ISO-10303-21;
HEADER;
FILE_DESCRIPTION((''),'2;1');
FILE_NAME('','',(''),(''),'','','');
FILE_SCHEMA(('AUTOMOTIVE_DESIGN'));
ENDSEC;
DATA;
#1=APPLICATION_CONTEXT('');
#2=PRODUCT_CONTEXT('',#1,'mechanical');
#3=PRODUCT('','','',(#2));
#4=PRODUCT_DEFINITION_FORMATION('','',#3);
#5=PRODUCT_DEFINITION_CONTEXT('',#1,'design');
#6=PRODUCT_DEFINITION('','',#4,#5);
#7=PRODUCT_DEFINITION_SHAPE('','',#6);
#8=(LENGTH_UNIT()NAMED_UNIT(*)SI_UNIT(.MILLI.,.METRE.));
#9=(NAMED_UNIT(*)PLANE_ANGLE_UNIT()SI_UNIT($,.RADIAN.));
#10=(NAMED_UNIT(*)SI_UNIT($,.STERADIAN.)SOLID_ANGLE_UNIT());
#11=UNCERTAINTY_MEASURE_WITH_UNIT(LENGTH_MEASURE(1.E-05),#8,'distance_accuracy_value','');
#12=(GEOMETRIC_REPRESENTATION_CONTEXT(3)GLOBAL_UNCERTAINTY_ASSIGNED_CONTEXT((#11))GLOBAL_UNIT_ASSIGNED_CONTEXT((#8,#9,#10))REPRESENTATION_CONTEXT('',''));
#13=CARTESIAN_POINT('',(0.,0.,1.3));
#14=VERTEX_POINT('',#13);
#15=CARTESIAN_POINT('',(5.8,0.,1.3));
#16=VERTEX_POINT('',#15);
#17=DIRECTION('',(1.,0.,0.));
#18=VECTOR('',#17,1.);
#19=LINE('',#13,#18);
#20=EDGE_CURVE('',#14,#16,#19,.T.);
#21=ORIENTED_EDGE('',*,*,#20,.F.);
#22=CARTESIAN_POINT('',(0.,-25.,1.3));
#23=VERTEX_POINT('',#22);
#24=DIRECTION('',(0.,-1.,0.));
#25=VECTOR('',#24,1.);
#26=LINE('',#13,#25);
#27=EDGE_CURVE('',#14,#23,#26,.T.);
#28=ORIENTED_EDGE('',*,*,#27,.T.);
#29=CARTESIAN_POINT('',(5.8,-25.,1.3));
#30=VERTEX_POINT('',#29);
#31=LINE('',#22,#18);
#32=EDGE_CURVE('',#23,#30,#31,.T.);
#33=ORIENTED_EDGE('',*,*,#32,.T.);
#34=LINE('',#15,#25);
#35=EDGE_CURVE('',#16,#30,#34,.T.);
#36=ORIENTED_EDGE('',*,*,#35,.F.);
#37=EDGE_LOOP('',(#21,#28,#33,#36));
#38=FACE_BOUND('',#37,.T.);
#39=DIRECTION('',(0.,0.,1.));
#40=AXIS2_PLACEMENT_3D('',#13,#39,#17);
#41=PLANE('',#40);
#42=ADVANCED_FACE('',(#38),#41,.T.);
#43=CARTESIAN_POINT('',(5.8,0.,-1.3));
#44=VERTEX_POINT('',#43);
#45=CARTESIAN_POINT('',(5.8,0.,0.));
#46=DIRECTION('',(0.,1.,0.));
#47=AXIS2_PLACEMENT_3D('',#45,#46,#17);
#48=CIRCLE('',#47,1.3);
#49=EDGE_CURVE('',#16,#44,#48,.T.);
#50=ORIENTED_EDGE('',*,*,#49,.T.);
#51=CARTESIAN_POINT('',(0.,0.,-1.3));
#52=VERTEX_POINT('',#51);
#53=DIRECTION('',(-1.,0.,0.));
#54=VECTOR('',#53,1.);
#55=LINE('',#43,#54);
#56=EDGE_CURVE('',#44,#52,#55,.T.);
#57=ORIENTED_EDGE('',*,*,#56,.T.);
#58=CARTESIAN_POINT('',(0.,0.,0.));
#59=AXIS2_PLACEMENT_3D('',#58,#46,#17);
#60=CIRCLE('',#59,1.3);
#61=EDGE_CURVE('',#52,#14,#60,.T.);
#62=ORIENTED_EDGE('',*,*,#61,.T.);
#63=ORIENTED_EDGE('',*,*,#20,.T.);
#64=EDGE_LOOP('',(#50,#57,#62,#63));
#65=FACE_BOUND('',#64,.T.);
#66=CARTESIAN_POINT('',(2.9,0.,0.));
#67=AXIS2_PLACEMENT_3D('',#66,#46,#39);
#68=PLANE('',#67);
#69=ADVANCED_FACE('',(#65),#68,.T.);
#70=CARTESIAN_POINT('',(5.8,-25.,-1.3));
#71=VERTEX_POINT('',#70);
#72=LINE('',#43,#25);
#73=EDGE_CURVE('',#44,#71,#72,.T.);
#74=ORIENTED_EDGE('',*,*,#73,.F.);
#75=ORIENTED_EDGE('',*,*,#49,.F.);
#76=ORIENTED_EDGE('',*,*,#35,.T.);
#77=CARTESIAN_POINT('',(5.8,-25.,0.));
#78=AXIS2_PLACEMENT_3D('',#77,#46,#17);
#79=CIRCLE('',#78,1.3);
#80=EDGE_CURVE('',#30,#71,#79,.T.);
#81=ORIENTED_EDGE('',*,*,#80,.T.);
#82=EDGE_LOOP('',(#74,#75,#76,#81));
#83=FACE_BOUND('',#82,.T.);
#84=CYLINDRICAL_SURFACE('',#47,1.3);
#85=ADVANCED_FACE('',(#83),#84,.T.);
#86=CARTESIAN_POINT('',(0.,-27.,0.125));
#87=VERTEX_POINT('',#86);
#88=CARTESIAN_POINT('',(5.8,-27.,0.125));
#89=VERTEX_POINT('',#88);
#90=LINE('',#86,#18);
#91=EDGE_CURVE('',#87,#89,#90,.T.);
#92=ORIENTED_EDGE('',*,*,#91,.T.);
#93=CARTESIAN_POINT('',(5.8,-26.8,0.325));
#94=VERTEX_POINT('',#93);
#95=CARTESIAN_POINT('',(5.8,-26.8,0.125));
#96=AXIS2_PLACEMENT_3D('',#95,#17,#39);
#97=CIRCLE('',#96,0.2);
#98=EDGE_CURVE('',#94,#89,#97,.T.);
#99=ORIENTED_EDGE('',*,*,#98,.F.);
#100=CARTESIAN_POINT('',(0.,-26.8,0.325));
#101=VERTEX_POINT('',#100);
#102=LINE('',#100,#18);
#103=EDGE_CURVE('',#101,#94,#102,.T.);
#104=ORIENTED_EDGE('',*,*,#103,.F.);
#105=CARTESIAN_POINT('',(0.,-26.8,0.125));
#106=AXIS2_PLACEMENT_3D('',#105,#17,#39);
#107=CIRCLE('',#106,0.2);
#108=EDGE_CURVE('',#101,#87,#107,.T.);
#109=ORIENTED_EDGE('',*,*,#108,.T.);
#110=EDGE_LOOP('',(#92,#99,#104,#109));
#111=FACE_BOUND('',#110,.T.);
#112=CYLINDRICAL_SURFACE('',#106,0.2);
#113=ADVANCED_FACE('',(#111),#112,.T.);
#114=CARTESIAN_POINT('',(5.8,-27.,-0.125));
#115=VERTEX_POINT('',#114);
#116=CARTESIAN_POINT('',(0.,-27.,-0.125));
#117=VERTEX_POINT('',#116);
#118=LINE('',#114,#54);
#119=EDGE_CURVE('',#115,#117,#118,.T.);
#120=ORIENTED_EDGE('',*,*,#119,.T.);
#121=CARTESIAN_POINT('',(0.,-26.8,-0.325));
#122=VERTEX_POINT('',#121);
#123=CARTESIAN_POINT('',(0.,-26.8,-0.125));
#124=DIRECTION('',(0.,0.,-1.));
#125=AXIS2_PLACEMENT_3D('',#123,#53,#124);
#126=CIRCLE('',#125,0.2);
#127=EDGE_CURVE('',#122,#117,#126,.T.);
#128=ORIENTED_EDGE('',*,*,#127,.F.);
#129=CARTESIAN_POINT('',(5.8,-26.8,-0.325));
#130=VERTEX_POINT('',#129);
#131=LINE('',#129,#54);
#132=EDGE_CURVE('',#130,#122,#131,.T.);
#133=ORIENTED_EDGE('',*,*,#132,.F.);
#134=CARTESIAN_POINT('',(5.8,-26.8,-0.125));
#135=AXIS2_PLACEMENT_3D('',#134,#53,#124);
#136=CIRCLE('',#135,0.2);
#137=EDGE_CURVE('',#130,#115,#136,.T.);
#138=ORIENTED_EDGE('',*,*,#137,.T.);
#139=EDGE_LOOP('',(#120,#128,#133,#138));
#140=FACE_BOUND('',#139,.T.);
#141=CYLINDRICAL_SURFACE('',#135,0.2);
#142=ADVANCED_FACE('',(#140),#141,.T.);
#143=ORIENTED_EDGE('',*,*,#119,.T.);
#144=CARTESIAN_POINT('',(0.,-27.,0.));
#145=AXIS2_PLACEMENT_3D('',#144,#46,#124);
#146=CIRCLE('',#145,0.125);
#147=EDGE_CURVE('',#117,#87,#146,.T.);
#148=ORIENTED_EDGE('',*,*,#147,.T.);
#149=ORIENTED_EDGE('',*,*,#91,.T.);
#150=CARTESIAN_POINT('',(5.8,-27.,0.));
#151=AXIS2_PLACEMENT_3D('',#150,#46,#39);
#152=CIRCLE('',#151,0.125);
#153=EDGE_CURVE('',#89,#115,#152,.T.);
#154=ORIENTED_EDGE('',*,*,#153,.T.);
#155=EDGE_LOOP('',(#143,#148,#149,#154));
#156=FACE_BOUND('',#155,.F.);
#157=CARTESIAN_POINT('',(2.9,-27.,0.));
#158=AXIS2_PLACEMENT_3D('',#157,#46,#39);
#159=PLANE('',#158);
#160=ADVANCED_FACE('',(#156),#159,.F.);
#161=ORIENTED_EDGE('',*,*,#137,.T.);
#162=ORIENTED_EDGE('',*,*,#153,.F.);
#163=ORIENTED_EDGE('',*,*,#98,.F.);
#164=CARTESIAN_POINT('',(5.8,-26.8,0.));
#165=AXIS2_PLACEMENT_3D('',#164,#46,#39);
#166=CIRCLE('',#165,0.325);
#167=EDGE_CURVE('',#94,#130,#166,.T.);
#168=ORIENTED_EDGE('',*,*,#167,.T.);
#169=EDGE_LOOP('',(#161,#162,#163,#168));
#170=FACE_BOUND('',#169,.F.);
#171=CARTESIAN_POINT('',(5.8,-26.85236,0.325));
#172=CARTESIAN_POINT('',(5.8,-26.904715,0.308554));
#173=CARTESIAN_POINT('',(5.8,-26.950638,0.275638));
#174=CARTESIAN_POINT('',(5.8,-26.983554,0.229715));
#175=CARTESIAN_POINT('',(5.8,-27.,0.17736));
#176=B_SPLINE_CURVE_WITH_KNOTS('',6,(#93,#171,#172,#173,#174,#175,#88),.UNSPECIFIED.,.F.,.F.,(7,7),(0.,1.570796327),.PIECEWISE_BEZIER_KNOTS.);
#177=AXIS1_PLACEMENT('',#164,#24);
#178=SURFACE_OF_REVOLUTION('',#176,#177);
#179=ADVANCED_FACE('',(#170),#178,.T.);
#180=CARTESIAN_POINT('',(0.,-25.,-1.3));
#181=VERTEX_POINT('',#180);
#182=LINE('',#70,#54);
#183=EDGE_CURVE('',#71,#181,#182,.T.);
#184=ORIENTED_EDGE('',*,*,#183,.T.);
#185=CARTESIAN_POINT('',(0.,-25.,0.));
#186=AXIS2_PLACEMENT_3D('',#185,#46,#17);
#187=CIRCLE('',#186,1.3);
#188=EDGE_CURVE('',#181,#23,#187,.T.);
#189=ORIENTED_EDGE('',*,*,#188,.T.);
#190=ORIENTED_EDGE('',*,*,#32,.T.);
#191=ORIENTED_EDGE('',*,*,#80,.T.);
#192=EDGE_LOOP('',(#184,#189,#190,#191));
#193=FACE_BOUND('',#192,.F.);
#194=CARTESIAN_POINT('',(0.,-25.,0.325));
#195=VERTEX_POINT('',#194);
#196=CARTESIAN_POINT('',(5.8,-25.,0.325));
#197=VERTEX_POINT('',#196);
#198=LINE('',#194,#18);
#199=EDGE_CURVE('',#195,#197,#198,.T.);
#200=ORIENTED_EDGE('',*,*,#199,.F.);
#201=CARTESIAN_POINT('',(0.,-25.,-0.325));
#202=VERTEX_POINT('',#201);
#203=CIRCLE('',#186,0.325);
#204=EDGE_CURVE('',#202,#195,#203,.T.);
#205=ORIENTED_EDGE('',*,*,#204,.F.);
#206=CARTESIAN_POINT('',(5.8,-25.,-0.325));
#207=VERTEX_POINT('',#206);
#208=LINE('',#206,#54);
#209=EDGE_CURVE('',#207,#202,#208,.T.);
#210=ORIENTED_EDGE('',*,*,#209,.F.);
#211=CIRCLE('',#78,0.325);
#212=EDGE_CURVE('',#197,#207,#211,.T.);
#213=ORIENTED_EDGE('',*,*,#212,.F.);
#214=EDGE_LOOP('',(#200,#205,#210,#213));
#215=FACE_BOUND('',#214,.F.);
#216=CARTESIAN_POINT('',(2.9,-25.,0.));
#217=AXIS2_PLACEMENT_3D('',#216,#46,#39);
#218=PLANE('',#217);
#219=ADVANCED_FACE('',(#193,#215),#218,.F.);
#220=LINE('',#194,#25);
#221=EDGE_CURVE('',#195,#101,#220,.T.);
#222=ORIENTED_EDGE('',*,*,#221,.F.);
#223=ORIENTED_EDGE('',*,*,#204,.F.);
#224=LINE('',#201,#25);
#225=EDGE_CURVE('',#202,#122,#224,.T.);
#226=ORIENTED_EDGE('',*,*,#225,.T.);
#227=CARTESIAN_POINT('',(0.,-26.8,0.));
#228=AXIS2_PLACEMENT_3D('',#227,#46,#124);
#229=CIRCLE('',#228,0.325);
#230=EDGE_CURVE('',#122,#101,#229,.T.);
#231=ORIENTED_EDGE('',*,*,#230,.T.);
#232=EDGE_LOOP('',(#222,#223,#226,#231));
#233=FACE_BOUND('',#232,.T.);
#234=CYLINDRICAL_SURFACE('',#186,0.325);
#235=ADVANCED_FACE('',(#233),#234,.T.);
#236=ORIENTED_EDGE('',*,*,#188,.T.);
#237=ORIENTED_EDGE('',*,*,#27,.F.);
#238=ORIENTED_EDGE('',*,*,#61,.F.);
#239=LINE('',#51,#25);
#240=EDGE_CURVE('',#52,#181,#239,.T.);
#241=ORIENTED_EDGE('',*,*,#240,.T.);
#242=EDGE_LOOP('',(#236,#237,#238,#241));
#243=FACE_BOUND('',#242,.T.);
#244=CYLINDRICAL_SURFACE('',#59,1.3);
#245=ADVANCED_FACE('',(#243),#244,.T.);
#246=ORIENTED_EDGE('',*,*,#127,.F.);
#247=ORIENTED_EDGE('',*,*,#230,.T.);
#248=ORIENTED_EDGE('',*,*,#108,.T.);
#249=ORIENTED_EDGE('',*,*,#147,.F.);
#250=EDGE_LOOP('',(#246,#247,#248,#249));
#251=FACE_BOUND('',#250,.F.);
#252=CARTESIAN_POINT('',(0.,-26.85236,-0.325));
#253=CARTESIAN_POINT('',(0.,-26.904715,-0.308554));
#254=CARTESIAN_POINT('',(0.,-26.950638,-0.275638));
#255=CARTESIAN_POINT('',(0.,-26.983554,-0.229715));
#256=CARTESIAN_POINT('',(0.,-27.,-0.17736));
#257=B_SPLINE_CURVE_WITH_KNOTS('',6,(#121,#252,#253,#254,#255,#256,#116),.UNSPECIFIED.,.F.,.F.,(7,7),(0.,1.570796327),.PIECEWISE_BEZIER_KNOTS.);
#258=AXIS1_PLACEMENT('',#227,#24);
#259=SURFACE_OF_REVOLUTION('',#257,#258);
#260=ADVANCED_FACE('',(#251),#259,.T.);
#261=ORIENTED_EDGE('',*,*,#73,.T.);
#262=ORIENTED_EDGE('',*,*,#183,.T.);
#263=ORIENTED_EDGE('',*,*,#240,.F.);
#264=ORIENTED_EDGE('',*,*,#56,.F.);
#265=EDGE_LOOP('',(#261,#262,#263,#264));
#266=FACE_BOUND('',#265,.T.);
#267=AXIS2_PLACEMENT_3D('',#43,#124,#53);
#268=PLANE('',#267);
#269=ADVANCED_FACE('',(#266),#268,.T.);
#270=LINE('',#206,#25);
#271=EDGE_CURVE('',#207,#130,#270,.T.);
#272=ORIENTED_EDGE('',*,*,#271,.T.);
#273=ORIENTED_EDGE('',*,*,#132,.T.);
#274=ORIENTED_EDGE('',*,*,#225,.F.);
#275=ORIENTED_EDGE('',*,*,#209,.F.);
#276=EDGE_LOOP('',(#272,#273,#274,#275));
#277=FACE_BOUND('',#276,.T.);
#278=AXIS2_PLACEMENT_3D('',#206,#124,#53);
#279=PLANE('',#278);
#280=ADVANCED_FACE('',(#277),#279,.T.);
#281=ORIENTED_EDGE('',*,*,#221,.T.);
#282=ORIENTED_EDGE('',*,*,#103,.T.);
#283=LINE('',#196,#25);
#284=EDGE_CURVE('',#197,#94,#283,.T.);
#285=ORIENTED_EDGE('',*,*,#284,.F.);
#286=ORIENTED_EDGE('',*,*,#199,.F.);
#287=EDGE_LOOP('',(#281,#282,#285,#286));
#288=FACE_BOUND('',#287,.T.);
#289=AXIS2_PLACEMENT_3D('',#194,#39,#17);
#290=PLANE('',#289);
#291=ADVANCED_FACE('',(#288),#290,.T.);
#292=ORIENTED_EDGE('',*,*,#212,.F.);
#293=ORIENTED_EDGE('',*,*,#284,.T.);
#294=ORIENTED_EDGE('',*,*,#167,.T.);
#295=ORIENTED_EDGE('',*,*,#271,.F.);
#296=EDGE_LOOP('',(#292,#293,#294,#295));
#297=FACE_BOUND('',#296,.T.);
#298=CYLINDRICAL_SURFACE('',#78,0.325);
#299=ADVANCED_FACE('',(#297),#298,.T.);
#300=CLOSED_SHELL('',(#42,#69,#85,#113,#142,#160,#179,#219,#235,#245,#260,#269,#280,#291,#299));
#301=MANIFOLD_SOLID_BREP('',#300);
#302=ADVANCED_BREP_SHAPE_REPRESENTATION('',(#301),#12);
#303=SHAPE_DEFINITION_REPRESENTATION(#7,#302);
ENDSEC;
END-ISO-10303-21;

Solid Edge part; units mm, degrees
sketch "Sketch1" plane through (0, 0, 0) normal (0, -1, 0) x (1, 0, 0)
  line L0 (0, 1.3) -> (5.8, 1.3)
  line L1 (5.8, -1.3) -> (0, -1.3)
  arc A0 (5.8, 1.3) -> (5.8, -1.3) centre (5.8, 0) cw
  arc A1 (0, -1.3) -> (0, 1.3) centre (0, 0) cw
extrude "Protrusion1" add sketch "Sketch1" along normal blind 25
sketch "Sketch2" plane through (2.6, -25, 0) normal (0, -1, 0) x (1, 0, 0)
  line L0 (-2.6, 0.325) -> (3.2, 0.325)
  line L1 (3.2, -0.325) -> (-2.6, -0.325)
  arc A0 (3.2, 0.325) -> (3.2, -0.325) centre (3.2, 0) cw
  arc A1 (-2.6, -0.325) -> (-2.6, 0.325) centre (-2.6, 0) cw
extrude "ExtrudedProtrusion_2" add sketch "Sketch2" along normal blind 2
fillet "Round_2" radius 0.2 4 edges at (2.9, -27, 0.325) (2.9, -27, -0.325) (6.125, -27, 0) (-0.325, -27, 0)
